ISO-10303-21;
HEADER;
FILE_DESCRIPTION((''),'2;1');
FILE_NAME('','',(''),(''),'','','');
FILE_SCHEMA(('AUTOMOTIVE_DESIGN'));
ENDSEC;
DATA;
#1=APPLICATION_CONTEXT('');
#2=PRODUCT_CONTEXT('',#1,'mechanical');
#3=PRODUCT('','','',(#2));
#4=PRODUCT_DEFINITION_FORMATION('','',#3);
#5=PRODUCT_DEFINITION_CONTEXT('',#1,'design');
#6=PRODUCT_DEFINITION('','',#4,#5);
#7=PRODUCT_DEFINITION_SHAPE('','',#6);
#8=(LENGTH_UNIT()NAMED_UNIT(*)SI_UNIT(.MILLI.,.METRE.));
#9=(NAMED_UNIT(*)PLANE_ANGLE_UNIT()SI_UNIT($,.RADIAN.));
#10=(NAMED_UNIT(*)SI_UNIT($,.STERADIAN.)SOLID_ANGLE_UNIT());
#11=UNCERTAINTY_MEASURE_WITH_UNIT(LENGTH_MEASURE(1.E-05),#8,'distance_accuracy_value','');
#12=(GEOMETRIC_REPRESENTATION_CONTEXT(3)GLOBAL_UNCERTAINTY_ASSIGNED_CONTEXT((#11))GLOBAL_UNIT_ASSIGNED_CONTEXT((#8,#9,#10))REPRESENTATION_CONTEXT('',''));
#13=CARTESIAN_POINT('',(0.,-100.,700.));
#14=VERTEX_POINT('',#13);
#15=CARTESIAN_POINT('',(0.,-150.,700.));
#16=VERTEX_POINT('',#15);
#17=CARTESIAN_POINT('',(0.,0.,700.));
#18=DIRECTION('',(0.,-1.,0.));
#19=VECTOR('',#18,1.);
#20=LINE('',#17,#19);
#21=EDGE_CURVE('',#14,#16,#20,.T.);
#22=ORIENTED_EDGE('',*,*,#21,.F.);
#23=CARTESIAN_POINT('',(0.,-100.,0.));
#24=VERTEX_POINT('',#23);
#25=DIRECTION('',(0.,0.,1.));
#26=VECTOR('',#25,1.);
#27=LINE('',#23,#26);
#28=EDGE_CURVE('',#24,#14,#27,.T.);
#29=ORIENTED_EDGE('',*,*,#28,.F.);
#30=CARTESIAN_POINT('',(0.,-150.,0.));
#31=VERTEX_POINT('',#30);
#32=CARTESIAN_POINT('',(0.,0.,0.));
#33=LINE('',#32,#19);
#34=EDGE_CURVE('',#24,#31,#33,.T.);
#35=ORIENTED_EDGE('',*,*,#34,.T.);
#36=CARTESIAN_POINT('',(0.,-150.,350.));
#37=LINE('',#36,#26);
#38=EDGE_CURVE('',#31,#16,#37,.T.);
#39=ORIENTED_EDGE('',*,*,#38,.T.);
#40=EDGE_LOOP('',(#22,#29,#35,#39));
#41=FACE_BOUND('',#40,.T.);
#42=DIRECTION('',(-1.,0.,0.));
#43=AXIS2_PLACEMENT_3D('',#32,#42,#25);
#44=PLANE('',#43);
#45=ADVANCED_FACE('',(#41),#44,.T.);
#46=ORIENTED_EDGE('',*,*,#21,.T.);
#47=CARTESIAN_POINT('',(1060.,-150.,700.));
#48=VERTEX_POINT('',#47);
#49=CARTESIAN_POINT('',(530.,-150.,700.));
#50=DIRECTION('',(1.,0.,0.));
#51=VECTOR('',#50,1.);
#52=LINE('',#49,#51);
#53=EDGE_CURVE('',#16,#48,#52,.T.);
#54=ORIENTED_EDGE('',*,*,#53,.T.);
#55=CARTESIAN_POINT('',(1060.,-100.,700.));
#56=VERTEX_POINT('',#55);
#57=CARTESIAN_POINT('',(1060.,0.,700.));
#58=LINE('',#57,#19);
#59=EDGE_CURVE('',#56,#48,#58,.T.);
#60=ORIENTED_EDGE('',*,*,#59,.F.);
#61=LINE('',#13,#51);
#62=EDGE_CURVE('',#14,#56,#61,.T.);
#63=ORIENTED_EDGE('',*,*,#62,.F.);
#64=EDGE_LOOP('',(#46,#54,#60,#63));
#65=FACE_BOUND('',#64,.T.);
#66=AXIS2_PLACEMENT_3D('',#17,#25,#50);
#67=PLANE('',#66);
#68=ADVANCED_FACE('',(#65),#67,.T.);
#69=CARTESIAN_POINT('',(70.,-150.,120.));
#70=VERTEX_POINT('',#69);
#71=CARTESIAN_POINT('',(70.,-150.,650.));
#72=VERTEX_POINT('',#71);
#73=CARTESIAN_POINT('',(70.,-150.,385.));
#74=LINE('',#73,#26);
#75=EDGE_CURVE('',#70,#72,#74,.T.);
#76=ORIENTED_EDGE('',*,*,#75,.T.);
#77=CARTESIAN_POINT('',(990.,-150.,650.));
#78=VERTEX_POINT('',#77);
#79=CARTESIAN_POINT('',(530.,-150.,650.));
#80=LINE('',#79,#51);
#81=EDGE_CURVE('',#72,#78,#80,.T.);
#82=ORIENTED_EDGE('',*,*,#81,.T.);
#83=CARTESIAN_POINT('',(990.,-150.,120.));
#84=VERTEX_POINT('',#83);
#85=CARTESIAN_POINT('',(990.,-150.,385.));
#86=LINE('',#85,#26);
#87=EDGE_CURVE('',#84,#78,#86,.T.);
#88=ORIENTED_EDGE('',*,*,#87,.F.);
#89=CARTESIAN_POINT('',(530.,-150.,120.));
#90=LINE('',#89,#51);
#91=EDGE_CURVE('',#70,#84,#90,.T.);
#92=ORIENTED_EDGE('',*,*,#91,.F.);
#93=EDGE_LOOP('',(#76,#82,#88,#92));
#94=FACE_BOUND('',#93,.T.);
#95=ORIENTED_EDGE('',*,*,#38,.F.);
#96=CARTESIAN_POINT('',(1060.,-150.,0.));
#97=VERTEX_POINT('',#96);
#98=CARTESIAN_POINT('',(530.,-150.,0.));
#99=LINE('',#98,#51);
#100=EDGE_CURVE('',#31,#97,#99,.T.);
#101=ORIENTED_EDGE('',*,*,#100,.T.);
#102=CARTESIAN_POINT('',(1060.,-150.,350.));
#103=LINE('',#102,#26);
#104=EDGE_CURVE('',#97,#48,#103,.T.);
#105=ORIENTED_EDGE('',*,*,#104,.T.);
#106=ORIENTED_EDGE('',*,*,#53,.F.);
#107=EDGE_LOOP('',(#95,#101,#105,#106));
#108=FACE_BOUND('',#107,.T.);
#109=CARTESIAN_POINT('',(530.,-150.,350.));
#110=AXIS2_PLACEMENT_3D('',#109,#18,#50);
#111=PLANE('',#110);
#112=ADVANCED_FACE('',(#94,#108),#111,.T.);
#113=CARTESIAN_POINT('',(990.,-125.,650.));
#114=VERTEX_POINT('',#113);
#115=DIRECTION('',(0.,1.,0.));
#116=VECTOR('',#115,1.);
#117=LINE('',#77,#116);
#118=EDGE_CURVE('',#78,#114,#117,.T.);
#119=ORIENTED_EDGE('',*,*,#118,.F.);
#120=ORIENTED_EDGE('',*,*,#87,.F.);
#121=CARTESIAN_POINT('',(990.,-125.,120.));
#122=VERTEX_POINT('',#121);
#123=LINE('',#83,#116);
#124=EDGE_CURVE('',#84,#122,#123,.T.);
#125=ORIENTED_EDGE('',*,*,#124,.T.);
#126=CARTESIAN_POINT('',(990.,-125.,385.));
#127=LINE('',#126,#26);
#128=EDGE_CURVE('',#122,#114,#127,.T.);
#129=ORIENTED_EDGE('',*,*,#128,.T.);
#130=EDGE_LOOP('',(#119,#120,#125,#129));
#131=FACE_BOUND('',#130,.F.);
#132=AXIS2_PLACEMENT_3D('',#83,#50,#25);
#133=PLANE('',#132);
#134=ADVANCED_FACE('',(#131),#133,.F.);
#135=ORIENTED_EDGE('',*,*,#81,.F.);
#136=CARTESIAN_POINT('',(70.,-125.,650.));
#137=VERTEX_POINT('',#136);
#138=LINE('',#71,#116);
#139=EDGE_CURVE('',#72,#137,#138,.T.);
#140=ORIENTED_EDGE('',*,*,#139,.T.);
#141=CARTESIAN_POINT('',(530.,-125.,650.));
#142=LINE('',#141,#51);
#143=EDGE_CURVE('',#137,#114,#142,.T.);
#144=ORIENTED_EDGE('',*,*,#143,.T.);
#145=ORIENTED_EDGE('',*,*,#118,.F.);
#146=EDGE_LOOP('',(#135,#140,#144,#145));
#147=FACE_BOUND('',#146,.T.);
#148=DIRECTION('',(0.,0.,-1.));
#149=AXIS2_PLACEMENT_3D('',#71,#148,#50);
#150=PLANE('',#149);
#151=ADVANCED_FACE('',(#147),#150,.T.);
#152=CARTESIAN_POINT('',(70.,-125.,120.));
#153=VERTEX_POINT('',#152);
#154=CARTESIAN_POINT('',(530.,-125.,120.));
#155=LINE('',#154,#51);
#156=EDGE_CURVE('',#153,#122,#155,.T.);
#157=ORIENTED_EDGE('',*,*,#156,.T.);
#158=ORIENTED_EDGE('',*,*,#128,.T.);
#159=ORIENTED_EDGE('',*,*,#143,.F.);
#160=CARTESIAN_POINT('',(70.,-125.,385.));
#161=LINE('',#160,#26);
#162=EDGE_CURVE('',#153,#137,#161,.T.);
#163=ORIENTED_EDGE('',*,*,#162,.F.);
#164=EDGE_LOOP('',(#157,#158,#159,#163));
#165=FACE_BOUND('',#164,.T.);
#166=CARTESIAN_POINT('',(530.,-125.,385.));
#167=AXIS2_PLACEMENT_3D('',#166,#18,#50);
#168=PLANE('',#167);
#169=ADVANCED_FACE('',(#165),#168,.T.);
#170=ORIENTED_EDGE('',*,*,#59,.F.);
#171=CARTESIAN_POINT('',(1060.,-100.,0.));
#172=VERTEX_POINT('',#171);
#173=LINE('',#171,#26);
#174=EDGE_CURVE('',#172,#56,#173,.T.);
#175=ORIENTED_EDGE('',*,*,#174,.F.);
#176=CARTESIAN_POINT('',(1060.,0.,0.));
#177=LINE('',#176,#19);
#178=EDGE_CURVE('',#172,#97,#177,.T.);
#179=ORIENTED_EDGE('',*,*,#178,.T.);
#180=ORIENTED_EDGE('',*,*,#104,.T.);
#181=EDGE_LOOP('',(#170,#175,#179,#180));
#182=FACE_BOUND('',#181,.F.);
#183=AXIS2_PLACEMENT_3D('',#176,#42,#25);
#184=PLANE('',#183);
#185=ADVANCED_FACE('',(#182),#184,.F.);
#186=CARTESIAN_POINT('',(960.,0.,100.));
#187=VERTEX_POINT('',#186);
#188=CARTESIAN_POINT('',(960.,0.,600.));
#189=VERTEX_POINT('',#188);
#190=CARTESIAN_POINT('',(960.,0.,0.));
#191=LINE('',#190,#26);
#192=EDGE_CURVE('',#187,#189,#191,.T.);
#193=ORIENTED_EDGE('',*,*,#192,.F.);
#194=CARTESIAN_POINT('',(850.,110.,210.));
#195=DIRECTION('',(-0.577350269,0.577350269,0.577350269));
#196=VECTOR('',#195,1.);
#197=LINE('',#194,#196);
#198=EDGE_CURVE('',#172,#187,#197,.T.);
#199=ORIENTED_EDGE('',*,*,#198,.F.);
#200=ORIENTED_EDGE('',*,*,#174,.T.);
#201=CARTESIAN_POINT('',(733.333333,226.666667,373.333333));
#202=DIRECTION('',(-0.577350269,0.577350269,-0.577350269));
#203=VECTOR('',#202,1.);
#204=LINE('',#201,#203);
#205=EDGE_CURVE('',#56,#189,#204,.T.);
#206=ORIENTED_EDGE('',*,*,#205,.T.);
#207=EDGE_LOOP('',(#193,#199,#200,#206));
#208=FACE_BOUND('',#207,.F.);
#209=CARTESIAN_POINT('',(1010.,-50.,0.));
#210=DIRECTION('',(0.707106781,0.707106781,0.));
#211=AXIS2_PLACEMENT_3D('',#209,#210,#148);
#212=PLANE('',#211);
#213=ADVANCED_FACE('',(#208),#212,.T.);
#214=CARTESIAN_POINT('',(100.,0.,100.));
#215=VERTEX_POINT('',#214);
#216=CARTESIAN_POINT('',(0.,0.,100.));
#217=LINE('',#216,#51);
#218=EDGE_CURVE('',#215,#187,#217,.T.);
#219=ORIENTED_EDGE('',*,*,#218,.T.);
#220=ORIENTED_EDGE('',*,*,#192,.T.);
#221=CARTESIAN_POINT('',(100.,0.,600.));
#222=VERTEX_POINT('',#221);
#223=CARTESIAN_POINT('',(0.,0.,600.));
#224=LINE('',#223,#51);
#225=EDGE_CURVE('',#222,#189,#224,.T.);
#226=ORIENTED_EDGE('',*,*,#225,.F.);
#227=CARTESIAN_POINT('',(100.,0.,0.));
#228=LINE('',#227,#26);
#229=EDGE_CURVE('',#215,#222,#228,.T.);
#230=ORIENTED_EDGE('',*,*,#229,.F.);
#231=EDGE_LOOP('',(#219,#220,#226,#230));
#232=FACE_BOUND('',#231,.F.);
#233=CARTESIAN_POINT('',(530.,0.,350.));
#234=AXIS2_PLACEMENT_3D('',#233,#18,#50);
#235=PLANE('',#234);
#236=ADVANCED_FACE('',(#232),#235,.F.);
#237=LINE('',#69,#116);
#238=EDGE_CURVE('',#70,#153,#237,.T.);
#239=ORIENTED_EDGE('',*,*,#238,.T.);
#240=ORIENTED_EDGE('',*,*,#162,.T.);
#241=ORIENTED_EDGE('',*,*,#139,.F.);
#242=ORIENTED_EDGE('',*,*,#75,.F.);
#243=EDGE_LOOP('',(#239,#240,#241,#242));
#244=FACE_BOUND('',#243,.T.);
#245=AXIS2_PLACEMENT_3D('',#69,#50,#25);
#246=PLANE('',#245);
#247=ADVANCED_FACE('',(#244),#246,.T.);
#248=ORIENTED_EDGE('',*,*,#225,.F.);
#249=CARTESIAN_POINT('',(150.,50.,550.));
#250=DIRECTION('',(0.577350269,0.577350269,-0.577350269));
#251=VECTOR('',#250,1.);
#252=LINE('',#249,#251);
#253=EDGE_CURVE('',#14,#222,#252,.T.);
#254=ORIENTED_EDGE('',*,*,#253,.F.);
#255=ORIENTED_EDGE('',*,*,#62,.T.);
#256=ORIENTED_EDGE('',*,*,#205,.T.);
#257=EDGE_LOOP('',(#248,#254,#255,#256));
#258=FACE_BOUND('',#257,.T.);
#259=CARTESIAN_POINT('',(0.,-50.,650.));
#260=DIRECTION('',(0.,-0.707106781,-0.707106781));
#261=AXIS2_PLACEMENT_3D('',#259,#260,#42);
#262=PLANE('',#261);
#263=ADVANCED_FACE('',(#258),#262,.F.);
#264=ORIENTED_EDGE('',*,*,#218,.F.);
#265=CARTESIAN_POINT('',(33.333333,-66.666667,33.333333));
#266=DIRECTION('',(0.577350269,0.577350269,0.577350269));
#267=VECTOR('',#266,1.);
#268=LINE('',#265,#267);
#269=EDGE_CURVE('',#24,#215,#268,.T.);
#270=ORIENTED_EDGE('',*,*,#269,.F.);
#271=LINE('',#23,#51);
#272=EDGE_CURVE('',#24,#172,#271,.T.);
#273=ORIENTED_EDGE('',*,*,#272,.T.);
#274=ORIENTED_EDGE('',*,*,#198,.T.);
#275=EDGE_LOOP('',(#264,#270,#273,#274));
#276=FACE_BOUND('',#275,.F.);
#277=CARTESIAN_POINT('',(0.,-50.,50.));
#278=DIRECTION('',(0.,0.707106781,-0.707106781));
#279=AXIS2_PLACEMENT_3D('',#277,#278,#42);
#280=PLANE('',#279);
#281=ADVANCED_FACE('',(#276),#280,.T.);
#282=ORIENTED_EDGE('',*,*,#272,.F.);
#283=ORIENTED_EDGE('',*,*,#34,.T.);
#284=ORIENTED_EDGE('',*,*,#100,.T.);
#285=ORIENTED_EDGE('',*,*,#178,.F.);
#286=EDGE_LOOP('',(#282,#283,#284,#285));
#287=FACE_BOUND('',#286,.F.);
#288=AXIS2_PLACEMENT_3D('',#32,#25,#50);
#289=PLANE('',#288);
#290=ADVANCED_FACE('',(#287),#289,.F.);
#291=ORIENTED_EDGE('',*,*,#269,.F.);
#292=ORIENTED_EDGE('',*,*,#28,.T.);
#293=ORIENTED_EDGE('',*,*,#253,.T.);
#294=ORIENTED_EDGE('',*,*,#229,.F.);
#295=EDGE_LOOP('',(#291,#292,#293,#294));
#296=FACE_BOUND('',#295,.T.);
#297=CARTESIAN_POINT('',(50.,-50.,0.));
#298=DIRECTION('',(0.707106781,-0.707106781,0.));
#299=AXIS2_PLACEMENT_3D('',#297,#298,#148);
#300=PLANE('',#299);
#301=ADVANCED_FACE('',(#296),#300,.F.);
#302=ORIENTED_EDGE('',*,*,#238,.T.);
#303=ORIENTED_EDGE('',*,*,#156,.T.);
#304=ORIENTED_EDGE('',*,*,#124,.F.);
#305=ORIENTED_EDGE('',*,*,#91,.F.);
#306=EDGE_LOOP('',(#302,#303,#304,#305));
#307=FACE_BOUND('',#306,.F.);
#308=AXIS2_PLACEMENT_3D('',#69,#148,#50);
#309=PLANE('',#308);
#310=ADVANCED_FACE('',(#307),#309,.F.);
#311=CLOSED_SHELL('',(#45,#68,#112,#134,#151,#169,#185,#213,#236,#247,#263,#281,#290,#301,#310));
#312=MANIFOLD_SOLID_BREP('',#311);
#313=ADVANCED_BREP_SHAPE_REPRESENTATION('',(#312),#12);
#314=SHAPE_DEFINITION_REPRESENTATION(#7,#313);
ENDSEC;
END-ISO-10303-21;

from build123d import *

# Parameters (mm, degrees)
F0_W     = 1060
F0_H     = 700
F1_DEPTH = 150
F2_SIZE  = 100
F3_W     = 920
F3_H     = 530
F4_DEPTH = 25


with BuildPart() as f1:
    # F0 (on Front) → F1 (new body)
    with BuildSketch(Plane.XZ):
        with Locations((530, 350)):
            Rectangle(F0_W, F0_H)
    extrude(amount=F1_DEPTH)

    # F2
    f2_edges = [f1.edges().sort_by_distance(p)[0] for p in [
        (1060, 0, 350),
        (530, 0, 700),
        (0, 0, 350),
        (530, 0, 0),
    ]]
    chamfer(f2_edges, length=F2_SIZE)

    # F3 (on face) → F4 (cut)
    with BuildSketch(Plane.XZ.offset(150)):
        with Locations((530, 385)):
            Rectangle(F3_W, F3_H)
    extrude(amount=-F4_DEPTH, mode=Mode.SUBTRACT)


solid = f1.part
